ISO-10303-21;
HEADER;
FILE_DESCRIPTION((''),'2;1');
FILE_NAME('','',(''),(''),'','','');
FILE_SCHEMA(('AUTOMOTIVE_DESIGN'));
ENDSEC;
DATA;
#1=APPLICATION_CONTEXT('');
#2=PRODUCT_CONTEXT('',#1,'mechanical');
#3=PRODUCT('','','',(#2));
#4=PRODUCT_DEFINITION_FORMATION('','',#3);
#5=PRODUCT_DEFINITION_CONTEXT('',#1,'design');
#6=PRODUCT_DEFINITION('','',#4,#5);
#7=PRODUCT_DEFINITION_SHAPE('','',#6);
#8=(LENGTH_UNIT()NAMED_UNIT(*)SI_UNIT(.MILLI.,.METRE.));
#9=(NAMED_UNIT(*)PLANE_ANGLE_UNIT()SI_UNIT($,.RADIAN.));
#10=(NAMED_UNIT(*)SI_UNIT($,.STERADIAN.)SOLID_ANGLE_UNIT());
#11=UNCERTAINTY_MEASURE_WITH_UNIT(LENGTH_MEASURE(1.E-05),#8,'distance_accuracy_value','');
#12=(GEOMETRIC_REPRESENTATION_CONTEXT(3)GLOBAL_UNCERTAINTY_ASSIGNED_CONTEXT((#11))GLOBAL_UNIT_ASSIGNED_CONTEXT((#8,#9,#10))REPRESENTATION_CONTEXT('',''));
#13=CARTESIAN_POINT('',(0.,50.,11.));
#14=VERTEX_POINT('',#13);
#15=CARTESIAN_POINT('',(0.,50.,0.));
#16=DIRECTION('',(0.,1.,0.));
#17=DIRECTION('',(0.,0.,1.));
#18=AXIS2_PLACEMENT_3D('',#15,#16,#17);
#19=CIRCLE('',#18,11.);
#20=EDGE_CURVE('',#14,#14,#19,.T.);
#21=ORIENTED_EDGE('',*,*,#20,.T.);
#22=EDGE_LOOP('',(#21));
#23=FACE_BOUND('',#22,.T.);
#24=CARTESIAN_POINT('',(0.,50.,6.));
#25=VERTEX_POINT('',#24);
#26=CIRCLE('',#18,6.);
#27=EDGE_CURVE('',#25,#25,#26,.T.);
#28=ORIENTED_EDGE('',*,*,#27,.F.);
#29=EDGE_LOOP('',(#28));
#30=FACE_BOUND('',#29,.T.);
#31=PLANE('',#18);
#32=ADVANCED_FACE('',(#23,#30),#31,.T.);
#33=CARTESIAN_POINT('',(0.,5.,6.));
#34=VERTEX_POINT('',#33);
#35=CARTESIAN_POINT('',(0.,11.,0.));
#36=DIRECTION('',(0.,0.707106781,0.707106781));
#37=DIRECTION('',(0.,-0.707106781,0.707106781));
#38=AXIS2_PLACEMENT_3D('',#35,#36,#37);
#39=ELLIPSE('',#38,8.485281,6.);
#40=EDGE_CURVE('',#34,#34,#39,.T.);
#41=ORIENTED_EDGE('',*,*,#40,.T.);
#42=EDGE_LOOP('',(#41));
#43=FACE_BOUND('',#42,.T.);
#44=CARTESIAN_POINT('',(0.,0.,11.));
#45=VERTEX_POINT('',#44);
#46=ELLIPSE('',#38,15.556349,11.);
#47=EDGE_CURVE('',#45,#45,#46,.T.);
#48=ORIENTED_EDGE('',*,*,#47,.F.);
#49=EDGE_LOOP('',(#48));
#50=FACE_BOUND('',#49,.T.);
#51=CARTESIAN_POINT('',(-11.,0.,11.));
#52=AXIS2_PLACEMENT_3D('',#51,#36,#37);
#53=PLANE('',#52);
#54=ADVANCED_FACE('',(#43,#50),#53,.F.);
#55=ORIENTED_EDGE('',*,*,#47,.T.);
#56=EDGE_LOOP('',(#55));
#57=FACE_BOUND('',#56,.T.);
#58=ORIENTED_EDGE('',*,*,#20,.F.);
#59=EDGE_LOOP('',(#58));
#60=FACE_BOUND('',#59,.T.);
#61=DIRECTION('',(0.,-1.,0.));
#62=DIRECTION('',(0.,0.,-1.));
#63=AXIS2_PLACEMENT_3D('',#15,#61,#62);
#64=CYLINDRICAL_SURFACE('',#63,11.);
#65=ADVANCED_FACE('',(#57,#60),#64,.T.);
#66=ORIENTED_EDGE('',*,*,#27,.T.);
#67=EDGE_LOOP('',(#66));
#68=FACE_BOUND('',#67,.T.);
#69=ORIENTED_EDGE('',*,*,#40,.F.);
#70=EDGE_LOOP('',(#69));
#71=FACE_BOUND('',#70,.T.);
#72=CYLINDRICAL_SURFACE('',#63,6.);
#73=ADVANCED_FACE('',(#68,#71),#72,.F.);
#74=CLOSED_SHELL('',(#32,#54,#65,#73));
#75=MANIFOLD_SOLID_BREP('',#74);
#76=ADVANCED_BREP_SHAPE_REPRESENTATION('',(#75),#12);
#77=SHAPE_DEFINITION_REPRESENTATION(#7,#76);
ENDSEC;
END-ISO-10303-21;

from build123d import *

# Parameters (mm, degrees)
SKETCH_1_R               = 11
SKETCH_1_R_2             = 6
EXTRUDE_1_DEPTH          = 50
CUT_EXTRUDE_1_DEPTH      = 53.364109846
CUT_EXTRUDE_1_DEPTH_BACK = 53.364109846


with BuildPart() as part:
    # 草图1 → 凸台-拉伸1 (new body)
    with BuildSketch(Plane(origin=(0, 0, 0), x_dir=(1, 0, 0), z_dir=(0, 1, 0))):
        with Locations(Location((0, 0, 0), (0, 0, 270))):
            Circle(SKETCH_1_R)
        with Locations(Location((0, 0, 0), (0, 0, 270))):
            Circle(SKETCH_1_R_2, mode=Mode.SUBTRACT)
    extrude(amount=EXTRUDE_1_DEPTH)

    # 草图2 → 切除-拉伸1 (cut, two sides: drawn at the far end of the back side and taken through both)
    with BuildSketch(Plane(origin=(0, 0, 0), x_dir=(0, 0, -1), z_dir=(1, 0, 0)).offset(-CUT_EXTRUDE_1_DEPTH_BACK)):
        Polygon((-11, 0), (11, 22), (11, 0), align=None)
    extrude(amount=CUT_EXTRUDE_1_DEPTH + CUT_EXTRUDE_1_DEPTH_BACK, mode=Mode.SUBTRACT)


solid = part.part
